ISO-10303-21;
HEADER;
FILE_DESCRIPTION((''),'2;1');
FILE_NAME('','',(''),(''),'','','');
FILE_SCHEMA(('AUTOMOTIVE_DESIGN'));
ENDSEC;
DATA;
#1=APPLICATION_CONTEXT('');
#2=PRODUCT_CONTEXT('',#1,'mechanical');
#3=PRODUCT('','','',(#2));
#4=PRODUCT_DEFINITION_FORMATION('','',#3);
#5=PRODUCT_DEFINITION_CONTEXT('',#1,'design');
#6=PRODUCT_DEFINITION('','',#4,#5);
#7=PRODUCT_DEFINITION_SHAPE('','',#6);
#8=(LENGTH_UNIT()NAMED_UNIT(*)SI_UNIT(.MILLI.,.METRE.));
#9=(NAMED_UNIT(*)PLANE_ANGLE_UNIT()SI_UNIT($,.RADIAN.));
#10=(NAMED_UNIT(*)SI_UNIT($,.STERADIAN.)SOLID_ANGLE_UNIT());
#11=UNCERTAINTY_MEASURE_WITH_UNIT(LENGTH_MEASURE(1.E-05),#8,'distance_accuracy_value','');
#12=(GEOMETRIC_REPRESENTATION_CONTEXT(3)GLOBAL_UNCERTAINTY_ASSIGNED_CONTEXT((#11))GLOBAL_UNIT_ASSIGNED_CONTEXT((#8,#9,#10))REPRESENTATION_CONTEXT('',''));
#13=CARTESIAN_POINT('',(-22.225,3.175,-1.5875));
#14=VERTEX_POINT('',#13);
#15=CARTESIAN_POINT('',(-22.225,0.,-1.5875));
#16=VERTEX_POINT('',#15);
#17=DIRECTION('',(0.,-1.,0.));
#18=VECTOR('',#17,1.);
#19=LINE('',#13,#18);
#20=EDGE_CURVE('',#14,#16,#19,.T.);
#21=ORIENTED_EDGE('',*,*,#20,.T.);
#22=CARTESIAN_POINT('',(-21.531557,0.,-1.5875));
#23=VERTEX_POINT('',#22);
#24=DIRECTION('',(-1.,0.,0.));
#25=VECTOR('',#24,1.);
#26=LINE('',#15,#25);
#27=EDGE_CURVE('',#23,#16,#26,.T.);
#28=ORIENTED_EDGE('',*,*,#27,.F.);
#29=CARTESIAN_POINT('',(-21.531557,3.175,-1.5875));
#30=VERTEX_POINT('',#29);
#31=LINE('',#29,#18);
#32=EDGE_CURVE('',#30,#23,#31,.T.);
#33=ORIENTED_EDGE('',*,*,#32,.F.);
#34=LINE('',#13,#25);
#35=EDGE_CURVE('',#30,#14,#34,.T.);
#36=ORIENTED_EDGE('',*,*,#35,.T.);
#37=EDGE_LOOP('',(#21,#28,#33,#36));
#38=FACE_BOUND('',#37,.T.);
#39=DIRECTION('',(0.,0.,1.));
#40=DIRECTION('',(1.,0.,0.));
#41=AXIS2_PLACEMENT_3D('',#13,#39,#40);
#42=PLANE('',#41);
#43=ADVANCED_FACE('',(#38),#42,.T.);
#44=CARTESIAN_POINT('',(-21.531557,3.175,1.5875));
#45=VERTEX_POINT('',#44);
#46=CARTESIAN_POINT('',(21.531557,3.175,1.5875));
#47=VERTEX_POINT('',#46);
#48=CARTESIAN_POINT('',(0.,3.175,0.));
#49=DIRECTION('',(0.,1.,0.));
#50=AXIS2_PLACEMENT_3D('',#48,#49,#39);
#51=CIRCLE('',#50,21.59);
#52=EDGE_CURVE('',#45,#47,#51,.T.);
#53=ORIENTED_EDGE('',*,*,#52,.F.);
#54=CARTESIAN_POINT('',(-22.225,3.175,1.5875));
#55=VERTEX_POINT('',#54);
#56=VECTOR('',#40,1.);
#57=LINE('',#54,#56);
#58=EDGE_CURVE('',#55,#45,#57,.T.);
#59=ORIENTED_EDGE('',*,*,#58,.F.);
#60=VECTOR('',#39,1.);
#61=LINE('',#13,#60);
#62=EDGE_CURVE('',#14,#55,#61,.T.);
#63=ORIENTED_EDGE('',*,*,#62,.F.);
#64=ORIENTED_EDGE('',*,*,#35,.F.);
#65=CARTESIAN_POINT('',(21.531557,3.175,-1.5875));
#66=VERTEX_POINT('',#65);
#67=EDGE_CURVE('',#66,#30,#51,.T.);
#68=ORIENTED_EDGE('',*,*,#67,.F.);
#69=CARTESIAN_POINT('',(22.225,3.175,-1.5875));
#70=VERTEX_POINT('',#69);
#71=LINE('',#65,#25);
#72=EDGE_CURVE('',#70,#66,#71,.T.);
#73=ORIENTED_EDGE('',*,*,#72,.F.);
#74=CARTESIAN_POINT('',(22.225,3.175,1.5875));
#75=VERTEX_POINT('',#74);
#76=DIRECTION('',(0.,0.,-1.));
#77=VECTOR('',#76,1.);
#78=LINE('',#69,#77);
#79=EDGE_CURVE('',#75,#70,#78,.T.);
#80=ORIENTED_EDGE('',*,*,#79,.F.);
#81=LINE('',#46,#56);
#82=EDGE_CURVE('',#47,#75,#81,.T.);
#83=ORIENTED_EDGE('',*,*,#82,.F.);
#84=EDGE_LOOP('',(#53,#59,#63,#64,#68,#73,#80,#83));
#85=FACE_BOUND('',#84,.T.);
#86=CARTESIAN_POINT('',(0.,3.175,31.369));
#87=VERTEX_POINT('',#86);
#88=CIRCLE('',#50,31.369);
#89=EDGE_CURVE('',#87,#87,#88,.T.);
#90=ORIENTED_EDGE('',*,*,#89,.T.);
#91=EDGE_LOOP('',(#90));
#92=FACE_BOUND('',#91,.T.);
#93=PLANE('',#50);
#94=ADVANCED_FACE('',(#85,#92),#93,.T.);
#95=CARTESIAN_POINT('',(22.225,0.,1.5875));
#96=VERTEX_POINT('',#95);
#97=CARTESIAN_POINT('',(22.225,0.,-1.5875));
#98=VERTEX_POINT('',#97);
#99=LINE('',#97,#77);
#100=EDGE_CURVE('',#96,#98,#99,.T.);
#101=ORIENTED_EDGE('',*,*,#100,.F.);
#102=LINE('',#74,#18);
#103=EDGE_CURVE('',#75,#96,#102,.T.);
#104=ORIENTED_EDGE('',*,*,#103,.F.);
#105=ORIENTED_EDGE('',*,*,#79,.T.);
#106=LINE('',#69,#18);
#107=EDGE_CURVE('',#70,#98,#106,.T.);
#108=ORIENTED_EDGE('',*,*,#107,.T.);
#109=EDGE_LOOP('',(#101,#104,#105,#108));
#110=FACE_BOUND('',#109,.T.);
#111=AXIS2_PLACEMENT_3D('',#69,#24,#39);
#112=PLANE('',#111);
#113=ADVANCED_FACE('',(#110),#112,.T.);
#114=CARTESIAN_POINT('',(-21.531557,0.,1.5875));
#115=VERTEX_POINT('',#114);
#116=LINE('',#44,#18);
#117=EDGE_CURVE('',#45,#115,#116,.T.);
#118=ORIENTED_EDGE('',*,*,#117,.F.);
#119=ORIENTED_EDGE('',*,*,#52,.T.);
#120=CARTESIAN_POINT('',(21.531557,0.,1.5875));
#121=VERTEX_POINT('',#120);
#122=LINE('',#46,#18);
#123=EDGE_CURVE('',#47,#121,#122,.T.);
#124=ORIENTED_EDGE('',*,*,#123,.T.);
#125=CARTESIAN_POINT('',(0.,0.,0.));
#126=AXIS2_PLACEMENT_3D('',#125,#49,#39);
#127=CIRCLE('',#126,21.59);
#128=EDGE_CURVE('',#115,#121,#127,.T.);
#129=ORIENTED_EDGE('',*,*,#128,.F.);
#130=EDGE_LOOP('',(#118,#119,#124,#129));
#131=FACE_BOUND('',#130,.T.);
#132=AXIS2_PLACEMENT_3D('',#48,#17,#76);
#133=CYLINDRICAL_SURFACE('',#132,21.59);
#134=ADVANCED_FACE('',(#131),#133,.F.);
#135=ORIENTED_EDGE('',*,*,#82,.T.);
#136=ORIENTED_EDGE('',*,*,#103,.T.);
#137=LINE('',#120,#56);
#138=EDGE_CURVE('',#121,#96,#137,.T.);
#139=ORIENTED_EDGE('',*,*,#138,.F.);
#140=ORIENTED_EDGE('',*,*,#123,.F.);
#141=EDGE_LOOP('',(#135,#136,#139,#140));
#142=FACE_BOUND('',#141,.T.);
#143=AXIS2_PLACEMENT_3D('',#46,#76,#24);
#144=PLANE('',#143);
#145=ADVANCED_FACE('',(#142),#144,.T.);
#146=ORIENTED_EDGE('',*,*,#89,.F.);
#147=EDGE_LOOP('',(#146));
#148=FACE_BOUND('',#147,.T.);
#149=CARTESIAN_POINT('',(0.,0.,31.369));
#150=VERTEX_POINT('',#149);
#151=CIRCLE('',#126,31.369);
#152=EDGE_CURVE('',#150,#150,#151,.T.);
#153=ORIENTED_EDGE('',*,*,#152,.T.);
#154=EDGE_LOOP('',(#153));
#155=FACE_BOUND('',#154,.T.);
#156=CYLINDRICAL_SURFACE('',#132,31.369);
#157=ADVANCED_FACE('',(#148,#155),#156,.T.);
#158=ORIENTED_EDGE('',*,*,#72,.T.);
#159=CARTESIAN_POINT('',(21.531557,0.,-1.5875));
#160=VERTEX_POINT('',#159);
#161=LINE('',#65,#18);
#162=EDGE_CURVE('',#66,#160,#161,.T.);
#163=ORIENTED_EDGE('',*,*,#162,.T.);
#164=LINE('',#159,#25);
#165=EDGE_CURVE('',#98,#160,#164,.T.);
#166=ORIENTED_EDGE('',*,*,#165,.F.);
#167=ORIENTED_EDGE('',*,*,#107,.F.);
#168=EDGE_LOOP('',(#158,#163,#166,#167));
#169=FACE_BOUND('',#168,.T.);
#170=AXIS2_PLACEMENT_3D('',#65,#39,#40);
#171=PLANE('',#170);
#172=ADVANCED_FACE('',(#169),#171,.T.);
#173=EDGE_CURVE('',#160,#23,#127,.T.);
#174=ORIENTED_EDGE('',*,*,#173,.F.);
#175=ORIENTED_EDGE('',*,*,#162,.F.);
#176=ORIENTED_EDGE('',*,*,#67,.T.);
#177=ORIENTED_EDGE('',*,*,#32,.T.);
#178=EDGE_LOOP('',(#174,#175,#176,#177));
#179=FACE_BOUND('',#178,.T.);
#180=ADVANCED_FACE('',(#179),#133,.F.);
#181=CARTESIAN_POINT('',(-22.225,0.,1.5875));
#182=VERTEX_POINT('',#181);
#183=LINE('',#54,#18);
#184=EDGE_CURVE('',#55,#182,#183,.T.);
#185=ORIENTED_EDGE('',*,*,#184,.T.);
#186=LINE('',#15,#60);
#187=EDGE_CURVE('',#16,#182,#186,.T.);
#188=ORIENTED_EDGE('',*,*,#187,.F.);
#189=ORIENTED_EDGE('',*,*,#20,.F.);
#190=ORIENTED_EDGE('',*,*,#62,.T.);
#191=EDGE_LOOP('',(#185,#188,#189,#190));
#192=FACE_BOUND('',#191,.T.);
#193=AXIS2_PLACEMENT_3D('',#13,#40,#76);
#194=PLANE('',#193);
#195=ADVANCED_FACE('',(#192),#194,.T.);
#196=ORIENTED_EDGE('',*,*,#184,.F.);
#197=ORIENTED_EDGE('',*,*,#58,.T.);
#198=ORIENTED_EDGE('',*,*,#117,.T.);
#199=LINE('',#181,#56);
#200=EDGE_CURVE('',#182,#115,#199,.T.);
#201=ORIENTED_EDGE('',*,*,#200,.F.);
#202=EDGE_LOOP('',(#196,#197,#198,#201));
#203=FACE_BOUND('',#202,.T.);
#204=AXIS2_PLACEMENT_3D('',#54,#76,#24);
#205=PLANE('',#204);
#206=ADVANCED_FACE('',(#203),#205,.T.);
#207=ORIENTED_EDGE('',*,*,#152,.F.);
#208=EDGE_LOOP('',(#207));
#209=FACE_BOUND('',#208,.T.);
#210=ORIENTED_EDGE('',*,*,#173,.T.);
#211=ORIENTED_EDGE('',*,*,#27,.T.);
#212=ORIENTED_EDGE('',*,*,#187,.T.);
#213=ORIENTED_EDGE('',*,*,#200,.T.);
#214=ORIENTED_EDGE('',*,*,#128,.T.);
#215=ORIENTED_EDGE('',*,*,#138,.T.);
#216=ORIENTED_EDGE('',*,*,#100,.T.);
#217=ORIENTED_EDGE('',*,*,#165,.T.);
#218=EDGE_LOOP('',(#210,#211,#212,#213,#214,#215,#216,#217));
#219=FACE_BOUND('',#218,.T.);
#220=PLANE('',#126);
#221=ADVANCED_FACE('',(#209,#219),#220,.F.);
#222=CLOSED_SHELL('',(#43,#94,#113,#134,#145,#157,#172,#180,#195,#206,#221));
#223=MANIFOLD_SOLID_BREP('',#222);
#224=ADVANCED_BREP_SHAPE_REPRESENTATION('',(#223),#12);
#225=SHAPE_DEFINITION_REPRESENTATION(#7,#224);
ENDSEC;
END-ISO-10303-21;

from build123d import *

# Parameters (mm, degrees)
SKETCH1_R           = 31.369
BOSS_EXTRUDE1_DEPTH = 3.175


with BuildPart() as part:
    # Sketch1 → Boss-Extrude1 (new body)
    with BuildSketch(Plane(origin=(0, 0, 0), x_dir=(1, 0, 0), z_dir=(0, 1, 0))):
        with Locations(Location((0, 0, 0), (0, 0, 270))):
            Circle(SKETCH1_R)
        with BuildLine():
            Line((-22.225, 1.5875), (-21.531556928, 1.5875))
            ThreePointArc((-21.531556928, 1.5875), (0, 21.59), (21.531556928, 1.5875))
            Line((21.531556928, 1.5875), (22.225, 1.5875))
            Line((22.225, 1.5875), (22.225, -1.5875))
            Line((22.225, -1.5875), (21.531556928, -1.5875))
            ThreePointArc((21.531556928, -1.5875), (0, -21.59), (-21.531556928, -1.5875))
            Line((-21.531556928, -1.5875), (-22.225, -1.5875))
            Line((-22.225, -1.5875), (-22.225, 1.5875))
        make_face(mode=Mode.SUBTRACT)
    extrude(amount=BOSS_EXTRUDE1_DEPTH)


solid = part.part
